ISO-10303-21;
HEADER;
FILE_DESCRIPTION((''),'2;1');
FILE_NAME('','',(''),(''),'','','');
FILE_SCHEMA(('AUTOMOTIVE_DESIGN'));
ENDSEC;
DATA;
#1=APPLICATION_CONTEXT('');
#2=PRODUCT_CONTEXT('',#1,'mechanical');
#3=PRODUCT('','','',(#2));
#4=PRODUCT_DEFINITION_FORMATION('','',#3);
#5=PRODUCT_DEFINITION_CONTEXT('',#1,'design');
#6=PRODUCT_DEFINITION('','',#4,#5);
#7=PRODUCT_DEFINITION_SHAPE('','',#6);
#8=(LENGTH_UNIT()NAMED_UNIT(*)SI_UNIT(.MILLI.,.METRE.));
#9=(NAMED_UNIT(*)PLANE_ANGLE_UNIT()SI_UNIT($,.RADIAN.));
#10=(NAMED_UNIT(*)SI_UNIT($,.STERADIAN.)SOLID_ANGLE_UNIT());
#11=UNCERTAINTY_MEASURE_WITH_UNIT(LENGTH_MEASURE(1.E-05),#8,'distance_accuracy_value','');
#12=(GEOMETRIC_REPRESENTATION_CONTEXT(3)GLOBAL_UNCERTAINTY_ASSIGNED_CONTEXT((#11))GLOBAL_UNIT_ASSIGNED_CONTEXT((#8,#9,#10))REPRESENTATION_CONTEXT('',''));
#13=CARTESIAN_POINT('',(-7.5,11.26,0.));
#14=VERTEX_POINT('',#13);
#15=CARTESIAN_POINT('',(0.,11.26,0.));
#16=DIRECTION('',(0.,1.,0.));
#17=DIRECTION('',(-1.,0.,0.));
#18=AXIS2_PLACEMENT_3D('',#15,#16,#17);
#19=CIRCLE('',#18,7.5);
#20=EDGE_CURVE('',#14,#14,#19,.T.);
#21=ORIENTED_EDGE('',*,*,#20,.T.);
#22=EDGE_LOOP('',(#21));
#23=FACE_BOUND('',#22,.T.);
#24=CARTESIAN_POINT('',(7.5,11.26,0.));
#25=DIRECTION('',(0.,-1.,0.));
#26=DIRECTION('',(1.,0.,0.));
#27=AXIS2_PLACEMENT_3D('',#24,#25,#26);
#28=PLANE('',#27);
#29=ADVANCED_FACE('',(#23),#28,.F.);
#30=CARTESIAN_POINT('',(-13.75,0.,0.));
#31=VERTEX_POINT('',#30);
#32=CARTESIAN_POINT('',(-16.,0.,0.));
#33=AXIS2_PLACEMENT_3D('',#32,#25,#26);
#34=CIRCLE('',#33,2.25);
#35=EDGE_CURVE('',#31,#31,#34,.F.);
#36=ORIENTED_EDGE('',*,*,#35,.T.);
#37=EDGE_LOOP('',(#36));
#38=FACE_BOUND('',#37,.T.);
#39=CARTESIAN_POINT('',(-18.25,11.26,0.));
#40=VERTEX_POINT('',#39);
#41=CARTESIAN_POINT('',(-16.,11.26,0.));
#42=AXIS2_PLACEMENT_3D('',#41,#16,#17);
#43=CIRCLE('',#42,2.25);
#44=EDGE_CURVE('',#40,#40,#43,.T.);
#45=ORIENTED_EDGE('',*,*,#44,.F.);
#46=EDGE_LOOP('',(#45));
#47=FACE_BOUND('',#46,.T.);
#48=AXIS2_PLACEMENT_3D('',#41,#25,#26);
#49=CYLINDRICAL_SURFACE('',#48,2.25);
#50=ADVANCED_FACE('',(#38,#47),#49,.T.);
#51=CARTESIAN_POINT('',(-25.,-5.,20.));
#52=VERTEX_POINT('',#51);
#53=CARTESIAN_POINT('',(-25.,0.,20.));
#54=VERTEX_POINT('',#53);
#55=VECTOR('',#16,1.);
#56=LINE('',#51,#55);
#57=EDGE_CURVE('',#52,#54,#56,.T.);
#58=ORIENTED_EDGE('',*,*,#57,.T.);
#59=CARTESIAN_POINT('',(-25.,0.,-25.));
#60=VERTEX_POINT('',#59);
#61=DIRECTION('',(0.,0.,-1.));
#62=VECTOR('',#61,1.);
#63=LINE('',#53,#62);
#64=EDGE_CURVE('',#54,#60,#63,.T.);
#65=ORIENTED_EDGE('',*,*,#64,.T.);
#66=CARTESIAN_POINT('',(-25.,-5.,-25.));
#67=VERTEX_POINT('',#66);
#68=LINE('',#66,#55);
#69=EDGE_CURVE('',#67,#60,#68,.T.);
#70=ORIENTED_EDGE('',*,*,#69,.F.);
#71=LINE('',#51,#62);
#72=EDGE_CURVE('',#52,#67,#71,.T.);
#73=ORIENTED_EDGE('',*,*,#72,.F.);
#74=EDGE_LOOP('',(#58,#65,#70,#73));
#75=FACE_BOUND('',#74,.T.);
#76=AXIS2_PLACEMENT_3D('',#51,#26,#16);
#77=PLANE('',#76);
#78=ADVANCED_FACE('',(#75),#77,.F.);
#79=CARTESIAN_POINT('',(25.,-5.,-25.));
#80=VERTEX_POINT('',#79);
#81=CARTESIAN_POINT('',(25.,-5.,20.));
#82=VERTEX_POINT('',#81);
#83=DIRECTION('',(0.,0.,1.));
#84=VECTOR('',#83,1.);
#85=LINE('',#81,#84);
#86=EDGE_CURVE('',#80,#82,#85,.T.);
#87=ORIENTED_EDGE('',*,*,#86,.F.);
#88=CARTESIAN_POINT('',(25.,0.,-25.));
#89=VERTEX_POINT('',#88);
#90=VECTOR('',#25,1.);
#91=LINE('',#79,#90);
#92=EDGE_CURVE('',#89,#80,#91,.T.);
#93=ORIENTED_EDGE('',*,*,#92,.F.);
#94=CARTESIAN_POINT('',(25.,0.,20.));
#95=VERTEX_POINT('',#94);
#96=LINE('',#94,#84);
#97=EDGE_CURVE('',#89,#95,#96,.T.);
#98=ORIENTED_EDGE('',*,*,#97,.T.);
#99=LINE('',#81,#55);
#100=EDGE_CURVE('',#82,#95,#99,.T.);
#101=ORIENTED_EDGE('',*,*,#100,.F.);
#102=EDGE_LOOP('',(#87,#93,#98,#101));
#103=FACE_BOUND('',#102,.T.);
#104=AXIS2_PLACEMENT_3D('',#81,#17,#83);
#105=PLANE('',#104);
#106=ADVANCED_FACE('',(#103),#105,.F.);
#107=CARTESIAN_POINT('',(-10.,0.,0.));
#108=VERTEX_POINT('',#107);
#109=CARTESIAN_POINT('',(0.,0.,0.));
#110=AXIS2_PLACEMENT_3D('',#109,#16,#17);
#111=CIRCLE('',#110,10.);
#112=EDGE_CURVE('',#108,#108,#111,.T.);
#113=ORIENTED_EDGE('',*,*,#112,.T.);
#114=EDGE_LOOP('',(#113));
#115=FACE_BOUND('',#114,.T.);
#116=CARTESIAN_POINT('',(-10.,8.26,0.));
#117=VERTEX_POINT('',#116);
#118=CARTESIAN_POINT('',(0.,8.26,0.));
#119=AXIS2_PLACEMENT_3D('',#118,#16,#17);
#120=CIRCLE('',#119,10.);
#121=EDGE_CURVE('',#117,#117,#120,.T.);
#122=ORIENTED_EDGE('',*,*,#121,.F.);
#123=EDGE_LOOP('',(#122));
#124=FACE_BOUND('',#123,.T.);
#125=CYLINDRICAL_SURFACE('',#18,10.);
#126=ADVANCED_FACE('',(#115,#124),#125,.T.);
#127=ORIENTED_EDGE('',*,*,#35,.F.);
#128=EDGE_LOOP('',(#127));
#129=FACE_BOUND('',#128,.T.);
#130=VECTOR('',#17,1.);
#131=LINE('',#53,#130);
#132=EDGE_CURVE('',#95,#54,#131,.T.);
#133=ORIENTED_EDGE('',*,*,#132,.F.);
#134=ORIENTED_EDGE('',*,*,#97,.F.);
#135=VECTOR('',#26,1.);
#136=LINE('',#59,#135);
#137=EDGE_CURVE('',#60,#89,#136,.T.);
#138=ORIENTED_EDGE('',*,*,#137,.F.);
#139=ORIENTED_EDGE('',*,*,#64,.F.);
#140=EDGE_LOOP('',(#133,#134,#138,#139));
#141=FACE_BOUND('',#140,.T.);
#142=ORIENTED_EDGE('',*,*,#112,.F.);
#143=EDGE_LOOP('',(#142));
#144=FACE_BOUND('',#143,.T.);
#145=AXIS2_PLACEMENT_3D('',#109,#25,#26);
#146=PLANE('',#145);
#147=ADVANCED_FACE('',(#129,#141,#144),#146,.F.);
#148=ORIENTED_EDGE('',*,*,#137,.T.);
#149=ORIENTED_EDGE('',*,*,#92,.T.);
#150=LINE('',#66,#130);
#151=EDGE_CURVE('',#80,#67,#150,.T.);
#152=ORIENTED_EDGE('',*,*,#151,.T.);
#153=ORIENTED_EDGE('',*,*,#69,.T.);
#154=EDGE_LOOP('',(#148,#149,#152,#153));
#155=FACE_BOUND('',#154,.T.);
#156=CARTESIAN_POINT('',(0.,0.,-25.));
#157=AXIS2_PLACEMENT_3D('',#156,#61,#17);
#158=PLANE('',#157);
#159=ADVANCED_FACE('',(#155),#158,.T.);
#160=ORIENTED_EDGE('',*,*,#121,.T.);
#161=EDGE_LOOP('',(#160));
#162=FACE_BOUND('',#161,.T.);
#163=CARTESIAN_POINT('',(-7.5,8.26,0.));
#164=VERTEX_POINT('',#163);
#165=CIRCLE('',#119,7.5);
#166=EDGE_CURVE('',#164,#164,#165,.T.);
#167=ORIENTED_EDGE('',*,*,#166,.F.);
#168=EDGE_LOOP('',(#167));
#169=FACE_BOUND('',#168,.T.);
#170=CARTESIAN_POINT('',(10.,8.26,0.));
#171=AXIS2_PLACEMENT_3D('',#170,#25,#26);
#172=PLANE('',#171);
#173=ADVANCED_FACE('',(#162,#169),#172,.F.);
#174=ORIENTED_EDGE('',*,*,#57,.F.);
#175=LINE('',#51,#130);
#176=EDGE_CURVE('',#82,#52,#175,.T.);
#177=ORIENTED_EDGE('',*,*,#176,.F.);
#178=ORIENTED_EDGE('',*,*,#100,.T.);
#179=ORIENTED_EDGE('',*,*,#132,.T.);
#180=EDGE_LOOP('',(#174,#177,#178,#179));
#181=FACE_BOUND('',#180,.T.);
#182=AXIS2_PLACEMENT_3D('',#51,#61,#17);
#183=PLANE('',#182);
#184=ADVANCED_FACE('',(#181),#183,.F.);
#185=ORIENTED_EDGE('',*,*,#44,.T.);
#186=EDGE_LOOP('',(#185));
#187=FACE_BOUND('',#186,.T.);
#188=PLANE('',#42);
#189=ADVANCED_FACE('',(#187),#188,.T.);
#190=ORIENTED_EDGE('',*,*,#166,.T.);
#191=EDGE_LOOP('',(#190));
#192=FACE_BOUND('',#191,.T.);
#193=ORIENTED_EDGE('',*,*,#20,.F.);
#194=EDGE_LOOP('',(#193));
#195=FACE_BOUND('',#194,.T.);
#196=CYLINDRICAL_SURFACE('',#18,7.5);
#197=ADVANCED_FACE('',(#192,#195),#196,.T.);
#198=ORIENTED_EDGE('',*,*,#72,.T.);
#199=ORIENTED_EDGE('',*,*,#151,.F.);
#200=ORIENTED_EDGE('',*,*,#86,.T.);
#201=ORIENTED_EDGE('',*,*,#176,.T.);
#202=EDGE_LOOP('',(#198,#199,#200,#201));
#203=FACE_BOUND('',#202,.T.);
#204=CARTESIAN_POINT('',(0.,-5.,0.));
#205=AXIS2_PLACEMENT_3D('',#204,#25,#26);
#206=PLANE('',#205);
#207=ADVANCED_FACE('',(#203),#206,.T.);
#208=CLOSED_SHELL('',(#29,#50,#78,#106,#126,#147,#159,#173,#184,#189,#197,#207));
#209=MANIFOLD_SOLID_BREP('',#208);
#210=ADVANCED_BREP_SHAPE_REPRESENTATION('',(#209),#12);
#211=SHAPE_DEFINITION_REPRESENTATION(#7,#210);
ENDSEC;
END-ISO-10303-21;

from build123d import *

# Parameters (mm, degrees)
SKETCH4_W           = 50
SKETCH4_H           = 40
BOSS_EXTRUDE1_DEPTH = 5
SKETCH5_R           = 2.25
BOSS_EXTRUDE2_DEPTH = 11.26
SKETCH6_W           = 50
SKETCH6_H           = 5
BOSS_EXTRUDE3_DEPTH = 5


with BuildPart() as part:
    # Sketch3 → Revolve1 (revolve)
    with BuildSketch(Plane.XY, mode=Mode.PRIVATE) as revolve1_sk:
        Polygon((0, 0), (10, 0), (10, 8.26), (7.5, 8.26), (7.5, 11.26), (0, 11.26), align=None)
    revolve(revolve1_sk.sketch.rotate(Axis((0, 11.26, 0), (0, -1, 0)), 180), axis=Axis((0, 11.26, 0), (0, -1, 0)))

    # Sketch4 → Boss-Extrude1 (add)
    with BuildSketch(Plane.XZ):
        Rectangle(SKETCH4_W, SKETCH4_H)
    extrude(amount=BOSS_EXTRUDE1_DEPTH)

    # Sketch5 → Boss-Extrude2 (add)
    with BuildSketch(Plane(origin=(0, 0, 0), x_dir=(1, 0, 0), z_dir=(0, 1, 0))):
        with Locations((-16, 0)):
            Circle(SKETCH5_R)
    extrude(amount=BOSS_EXTRUDE2_DEPTH)

    # Sketch6 → Boss-Extrude3 (add)
    with BuildSketch(Plane(origin=(0, 0, -20), x_dir=(-1, 0, 0), z_dir=(0, 0, -1))):
        with Locations((0, -2.5)):
            Rectangle(SKETCH6_W, SKETCH6_H)
    extrude(amount=BOSS_EXTRUDE3_DEPTH)


solid = part.part
